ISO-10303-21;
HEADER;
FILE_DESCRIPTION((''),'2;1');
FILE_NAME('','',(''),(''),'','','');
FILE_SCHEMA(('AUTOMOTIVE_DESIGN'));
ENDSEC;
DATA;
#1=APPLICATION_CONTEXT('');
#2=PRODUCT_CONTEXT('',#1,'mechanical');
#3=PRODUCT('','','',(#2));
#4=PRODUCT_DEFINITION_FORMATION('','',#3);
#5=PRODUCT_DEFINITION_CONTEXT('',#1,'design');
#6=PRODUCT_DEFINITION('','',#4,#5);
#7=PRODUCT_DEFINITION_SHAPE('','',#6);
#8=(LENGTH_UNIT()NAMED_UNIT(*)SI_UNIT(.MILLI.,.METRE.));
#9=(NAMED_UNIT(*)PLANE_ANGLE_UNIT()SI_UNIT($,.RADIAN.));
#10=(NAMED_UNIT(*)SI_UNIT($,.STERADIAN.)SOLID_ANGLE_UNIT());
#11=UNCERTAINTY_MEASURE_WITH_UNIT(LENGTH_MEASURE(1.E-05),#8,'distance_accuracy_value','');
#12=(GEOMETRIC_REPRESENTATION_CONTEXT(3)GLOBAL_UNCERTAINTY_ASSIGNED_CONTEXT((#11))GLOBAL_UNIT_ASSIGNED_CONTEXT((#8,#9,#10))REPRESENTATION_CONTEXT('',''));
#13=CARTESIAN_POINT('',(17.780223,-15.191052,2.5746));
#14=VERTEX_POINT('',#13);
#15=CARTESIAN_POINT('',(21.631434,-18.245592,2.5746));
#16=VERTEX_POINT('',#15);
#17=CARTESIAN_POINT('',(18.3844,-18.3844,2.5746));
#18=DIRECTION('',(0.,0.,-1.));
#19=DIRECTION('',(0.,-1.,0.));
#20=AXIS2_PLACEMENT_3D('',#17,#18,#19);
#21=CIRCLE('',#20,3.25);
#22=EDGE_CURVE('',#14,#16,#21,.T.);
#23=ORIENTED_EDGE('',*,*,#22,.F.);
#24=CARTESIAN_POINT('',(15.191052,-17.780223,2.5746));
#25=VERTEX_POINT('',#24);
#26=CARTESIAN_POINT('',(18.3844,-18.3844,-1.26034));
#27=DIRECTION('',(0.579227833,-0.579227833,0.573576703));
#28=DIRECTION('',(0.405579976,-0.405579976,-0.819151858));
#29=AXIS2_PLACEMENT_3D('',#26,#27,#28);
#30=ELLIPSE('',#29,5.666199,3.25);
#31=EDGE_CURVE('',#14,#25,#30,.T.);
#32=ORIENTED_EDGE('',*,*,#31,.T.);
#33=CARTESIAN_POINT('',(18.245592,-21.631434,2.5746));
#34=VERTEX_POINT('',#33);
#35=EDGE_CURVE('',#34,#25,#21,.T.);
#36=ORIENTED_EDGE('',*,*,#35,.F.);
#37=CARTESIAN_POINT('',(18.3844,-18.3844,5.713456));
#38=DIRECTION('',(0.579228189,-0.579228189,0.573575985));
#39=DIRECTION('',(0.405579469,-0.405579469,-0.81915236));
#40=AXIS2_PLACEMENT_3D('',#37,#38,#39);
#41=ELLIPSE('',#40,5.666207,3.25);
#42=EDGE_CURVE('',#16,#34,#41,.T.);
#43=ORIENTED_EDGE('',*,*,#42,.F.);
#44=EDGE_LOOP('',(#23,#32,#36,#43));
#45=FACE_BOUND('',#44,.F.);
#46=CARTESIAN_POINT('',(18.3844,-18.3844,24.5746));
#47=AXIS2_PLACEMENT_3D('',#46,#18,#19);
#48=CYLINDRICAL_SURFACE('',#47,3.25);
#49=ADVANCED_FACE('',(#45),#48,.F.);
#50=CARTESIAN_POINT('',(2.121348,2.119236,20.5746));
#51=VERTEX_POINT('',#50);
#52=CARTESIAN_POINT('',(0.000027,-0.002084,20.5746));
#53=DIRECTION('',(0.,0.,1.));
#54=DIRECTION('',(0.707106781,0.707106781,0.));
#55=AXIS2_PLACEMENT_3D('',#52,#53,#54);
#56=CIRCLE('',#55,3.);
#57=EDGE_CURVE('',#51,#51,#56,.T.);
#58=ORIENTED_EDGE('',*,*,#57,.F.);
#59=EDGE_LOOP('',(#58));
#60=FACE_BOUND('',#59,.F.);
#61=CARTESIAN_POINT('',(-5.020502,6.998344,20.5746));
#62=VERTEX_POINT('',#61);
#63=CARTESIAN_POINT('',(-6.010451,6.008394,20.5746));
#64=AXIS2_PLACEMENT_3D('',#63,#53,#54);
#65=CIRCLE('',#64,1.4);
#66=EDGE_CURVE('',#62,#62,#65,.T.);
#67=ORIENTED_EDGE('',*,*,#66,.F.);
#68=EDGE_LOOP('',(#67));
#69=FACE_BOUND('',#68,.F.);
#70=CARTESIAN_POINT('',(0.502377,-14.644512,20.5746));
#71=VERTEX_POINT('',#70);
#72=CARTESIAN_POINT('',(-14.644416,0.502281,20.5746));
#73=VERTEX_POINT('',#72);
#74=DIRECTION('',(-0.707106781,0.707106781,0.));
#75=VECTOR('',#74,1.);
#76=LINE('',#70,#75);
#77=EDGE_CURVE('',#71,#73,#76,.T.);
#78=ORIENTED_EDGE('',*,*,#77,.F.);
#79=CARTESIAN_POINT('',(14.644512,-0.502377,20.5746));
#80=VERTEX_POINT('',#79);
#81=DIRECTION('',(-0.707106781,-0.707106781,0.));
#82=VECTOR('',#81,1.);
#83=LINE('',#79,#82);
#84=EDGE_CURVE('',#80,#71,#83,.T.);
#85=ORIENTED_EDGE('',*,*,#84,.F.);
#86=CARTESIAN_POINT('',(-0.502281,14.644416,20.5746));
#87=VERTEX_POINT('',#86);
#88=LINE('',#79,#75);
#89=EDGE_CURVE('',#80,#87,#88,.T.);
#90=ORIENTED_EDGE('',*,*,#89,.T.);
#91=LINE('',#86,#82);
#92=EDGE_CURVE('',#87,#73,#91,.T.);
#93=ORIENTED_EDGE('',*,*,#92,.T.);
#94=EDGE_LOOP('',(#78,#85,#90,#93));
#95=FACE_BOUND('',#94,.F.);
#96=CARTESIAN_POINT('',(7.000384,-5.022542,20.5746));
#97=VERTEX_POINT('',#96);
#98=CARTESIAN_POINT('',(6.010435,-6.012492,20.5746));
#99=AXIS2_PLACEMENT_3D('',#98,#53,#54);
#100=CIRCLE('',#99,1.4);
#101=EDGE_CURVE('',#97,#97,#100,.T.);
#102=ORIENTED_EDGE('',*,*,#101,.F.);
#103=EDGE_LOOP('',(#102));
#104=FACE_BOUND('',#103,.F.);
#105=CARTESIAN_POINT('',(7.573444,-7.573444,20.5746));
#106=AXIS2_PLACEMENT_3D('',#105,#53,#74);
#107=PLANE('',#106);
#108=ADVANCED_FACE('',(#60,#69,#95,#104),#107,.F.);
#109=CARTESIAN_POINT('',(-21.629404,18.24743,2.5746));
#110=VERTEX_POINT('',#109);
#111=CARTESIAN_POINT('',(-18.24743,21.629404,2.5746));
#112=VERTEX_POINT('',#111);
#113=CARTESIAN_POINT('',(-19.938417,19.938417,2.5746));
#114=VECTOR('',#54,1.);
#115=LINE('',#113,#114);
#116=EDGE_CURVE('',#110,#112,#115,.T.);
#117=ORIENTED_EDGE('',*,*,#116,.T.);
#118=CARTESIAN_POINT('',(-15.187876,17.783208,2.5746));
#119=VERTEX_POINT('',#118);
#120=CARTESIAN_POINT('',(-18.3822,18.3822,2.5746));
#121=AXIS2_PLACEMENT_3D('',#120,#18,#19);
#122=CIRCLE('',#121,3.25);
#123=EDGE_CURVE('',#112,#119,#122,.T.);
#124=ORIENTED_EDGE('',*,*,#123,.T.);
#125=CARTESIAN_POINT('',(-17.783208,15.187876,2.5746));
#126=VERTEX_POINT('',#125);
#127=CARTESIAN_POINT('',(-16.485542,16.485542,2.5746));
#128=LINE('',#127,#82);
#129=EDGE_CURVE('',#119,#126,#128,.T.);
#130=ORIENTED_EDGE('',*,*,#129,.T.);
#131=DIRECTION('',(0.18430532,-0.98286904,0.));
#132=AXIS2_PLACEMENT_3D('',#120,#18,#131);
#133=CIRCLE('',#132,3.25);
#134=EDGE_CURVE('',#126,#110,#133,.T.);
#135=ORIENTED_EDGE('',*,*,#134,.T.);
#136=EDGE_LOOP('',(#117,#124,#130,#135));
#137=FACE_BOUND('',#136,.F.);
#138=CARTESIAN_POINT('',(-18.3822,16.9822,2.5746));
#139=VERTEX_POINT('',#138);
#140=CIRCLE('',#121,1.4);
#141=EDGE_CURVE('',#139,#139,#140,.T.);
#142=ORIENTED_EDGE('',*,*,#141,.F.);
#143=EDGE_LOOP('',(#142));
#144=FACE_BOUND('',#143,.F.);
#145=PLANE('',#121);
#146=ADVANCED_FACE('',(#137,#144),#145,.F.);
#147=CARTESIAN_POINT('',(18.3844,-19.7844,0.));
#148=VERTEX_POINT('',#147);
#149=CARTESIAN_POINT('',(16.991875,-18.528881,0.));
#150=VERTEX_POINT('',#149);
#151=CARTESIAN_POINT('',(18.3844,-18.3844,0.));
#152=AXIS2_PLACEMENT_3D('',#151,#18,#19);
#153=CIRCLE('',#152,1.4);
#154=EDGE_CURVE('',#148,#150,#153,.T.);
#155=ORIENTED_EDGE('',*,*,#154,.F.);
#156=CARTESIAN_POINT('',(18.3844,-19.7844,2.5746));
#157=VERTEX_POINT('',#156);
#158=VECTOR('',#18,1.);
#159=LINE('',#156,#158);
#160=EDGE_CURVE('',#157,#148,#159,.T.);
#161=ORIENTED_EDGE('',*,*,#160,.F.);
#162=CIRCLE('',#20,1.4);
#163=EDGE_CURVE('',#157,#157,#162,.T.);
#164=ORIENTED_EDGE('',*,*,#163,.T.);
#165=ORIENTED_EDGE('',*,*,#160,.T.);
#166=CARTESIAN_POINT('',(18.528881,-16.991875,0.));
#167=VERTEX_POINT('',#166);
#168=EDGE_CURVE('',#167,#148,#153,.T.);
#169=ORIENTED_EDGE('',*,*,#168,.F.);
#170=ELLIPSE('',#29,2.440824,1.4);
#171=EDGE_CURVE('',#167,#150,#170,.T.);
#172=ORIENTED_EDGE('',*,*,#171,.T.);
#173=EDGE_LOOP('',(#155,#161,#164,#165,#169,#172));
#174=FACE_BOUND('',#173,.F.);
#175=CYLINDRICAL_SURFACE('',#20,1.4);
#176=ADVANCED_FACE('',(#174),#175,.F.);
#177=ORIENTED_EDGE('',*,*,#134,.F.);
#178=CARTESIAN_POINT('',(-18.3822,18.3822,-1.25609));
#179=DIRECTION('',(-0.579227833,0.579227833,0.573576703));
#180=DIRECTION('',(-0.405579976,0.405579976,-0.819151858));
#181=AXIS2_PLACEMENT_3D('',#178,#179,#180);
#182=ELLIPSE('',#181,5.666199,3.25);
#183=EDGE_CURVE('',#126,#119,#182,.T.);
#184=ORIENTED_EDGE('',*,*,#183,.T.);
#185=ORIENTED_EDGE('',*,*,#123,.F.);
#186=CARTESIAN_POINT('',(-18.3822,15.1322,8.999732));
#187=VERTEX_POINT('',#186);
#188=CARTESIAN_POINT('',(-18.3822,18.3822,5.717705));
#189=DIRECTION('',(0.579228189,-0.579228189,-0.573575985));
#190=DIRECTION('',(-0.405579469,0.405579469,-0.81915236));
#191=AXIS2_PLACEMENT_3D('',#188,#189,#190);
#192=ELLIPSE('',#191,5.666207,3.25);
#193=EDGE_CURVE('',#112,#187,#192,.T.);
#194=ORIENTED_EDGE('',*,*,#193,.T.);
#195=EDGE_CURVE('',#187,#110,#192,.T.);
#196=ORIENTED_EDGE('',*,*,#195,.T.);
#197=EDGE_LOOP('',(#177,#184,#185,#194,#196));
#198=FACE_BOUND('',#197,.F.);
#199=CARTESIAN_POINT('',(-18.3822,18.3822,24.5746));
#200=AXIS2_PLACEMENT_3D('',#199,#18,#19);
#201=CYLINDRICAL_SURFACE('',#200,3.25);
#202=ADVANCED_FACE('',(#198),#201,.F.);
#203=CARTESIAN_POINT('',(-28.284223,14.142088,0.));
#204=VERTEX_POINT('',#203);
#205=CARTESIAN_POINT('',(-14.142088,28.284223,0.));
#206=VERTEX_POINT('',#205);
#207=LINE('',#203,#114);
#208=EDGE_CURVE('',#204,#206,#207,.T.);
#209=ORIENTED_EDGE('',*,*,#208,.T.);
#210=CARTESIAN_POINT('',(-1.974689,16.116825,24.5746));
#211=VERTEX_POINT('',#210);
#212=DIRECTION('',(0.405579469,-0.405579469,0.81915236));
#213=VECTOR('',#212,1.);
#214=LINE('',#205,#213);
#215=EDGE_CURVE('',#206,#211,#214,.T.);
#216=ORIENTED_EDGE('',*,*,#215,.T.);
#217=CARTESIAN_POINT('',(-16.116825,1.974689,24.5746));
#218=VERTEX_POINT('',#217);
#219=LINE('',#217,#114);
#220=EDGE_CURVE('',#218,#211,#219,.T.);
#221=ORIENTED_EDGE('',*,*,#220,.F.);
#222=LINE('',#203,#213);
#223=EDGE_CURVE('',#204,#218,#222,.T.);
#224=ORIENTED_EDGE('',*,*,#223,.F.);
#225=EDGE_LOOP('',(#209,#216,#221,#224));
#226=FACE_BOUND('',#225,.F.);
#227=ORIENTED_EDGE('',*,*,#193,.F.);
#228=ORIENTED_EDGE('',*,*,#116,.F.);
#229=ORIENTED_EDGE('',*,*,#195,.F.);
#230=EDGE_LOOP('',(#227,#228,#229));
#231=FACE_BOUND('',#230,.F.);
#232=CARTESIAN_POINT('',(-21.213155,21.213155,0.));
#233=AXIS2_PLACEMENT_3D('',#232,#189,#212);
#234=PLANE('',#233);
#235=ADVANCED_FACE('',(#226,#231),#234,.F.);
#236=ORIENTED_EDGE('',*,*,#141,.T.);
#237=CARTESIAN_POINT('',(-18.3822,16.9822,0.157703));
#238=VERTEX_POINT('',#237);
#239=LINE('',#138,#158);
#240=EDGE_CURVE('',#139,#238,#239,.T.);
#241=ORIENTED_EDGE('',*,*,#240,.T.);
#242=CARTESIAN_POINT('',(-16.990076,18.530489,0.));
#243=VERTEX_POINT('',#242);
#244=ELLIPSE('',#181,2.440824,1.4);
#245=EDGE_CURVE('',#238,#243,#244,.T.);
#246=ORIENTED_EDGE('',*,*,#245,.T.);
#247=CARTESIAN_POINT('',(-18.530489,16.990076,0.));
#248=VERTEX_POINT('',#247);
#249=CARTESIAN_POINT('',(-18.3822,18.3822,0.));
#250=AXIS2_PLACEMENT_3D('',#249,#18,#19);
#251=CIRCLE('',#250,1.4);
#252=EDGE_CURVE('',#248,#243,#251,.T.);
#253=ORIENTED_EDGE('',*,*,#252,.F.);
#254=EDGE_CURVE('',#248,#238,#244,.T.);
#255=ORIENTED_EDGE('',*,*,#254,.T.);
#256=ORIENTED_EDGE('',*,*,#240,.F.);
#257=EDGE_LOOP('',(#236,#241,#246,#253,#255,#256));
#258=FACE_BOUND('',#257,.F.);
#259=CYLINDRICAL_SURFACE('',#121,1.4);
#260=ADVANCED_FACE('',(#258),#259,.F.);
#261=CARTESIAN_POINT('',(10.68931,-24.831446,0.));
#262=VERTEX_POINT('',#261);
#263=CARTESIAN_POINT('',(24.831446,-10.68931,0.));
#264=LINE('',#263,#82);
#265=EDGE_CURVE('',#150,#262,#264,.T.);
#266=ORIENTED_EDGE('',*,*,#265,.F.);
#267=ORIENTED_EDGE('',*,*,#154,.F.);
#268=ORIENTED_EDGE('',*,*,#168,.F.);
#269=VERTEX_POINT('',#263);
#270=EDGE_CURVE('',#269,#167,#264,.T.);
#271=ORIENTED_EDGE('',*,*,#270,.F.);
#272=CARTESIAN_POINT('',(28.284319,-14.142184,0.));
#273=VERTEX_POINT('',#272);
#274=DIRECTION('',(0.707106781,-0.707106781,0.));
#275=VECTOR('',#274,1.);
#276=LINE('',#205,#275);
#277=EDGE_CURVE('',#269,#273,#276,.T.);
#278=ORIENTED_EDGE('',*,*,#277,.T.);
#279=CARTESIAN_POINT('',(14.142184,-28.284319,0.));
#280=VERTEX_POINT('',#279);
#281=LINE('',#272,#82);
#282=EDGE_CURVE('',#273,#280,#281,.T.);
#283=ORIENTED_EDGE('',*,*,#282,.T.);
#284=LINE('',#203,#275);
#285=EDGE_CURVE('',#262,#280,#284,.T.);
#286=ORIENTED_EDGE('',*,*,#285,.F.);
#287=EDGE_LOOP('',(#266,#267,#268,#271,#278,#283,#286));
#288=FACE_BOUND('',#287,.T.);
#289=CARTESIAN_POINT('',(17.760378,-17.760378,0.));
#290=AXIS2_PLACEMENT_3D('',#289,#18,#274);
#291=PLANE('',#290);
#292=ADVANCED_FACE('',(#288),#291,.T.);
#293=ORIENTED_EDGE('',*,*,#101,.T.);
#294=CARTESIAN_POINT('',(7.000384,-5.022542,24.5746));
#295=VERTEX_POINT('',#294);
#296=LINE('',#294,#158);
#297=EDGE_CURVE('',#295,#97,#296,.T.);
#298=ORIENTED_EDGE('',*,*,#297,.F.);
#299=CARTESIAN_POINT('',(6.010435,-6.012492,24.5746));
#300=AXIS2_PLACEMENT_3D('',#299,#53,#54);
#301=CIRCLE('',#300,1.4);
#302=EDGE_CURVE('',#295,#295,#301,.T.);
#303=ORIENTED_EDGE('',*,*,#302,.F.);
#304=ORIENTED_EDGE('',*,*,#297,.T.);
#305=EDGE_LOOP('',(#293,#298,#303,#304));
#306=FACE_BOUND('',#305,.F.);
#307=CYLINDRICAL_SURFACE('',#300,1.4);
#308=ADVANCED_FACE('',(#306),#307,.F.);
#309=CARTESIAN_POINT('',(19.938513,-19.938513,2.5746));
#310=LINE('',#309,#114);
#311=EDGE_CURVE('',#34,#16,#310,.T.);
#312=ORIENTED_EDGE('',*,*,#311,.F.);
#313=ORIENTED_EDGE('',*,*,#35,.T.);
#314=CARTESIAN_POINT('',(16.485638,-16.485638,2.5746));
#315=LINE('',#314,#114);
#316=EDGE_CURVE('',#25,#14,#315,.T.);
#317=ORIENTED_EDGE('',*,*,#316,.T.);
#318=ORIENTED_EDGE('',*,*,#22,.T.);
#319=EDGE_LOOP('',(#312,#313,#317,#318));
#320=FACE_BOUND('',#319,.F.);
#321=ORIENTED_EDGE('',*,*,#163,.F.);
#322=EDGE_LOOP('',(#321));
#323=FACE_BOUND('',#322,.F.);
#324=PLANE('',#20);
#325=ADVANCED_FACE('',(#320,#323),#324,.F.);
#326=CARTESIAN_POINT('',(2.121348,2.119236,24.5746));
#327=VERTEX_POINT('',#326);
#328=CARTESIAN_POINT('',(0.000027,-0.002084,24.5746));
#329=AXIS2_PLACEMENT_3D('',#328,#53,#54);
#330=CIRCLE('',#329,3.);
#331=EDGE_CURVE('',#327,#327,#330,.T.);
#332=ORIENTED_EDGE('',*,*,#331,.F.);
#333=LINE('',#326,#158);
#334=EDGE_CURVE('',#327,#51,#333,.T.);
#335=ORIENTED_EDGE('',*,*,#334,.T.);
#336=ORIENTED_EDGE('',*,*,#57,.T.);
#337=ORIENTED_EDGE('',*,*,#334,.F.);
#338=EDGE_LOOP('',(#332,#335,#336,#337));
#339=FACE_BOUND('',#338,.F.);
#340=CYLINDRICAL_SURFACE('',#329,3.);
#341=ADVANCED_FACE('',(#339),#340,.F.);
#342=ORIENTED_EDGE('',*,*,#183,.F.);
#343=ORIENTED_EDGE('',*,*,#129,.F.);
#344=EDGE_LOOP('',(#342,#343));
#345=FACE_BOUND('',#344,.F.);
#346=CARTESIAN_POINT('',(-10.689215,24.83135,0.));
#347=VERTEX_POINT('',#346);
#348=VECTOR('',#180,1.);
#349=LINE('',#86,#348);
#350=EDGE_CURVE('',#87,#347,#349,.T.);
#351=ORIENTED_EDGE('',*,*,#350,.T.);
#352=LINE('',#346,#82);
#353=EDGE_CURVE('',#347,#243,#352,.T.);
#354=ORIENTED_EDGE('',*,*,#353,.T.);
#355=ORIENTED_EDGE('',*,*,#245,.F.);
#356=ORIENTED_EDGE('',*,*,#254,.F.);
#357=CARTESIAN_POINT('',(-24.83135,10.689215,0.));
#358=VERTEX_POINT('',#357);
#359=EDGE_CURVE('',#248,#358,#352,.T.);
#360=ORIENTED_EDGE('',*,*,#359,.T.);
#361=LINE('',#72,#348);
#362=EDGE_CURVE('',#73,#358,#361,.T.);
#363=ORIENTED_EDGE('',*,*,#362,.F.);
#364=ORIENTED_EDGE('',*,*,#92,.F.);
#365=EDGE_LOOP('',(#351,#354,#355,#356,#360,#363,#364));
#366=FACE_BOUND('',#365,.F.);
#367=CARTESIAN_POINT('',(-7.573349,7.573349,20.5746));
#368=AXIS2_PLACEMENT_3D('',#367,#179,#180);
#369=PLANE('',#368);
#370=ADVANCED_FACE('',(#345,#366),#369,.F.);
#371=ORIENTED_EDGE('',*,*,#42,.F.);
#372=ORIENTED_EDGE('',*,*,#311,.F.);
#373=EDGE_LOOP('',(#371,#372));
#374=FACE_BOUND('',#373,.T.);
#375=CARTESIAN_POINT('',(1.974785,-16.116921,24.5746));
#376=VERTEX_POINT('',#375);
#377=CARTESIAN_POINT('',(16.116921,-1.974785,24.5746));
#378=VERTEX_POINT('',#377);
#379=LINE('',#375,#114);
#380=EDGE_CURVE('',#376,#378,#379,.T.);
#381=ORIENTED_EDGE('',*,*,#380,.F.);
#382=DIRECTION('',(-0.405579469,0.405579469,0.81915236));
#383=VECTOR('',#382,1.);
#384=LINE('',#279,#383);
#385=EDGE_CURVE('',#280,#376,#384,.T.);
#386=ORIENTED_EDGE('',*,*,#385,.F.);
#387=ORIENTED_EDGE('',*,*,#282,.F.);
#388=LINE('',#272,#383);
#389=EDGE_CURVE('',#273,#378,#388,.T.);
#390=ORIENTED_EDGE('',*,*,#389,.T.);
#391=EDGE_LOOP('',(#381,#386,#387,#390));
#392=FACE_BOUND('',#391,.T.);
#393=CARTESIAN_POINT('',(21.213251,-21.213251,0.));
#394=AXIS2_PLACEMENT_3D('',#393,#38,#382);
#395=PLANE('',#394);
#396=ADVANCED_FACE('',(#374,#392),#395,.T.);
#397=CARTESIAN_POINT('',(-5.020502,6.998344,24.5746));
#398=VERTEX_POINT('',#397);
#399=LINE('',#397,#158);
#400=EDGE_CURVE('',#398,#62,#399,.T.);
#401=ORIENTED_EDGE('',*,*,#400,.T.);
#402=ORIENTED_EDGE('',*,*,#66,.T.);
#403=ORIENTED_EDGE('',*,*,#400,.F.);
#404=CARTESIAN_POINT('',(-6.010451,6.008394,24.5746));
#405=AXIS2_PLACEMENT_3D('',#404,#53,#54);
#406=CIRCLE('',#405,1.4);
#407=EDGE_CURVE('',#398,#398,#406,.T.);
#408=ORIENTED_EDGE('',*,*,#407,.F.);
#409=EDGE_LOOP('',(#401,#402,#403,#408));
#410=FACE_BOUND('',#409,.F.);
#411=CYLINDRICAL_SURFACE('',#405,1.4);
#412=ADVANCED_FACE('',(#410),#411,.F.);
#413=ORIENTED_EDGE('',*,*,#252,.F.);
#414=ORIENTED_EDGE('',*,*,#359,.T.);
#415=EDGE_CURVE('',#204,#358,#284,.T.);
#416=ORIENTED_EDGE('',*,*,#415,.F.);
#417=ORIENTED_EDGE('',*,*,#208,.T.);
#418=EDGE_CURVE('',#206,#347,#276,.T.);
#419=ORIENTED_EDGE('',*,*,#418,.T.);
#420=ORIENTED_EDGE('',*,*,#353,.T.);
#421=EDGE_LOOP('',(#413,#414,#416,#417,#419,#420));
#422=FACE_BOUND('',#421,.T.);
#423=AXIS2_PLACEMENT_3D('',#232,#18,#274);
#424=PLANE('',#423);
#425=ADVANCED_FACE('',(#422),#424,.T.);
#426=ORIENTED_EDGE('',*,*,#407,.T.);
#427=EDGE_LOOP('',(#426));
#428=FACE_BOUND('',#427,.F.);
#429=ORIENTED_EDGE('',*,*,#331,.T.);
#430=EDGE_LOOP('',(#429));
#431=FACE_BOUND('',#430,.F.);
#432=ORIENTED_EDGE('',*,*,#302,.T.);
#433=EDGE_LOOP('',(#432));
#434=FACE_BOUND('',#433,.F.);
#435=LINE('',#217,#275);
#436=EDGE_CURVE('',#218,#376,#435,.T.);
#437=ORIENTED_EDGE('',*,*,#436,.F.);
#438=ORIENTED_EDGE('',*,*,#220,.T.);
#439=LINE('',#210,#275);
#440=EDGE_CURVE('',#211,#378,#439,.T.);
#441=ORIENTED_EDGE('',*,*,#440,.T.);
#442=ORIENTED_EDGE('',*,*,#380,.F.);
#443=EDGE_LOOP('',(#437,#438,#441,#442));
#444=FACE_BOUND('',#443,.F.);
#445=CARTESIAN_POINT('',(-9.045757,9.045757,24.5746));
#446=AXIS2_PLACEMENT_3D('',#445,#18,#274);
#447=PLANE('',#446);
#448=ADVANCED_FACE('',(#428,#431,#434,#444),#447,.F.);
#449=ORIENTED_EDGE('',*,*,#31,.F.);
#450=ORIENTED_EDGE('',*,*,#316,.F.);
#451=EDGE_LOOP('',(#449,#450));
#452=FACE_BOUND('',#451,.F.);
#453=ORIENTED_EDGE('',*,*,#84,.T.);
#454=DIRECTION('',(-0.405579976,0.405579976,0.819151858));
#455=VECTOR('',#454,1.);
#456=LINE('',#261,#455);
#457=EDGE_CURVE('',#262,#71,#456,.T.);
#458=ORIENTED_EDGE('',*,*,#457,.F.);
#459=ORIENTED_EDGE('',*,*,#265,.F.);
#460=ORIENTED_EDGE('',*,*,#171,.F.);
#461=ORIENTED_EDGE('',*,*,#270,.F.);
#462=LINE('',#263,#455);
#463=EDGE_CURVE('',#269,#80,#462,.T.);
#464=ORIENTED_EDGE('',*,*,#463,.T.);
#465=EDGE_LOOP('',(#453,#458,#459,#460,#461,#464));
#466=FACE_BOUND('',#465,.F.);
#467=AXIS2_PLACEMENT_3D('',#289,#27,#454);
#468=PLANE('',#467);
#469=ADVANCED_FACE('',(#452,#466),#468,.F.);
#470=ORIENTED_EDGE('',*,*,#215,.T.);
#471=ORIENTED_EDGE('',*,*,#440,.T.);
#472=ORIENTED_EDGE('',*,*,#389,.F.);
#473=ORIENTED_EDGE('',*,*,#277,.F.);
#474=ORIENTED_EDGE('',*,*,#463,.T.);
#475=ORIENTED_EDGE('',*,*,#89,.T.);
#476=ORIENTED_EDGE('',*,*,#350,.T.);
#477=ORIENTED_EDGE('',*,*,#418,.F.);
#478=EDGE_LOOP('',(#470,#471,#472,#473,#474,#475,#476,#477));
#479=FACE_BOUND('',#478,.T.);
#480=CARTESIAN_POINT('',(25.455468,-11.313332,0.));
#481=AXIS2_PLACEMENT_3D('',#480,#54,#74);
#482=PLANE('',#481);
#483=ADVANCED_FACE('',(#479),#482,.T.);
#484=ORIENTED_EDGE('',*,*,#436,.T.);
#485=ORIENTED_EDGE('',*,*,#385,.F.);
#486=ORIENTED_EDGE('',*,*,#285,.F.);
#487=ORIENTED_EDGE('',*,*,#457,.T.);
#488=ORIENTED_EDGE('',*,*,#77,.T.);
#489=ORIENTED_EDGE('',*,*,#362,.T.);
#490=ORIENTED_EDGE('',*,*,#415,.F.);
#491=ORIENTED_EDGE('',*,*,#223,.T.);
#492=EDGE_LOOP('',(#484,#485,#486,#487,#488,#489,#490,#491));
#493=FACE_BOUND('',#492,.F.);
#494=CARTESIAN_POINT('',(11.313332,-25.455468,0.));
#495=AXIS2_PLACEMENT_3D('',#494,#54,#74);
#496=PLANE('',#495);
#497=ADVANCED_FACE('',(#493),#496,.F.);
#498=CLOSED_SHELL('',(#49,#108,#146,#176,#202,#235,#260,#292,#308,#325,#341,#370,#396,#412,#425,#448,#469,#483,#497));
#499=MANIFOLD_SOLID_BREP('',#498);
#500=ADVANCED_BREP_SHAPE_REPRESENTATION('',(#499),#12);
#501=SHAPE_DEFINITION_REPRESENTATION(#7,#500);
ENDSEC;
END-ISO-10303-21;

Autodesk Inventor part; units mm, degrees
ref_plane "YZ Plane" through (0, 0, 0) normal (1, 0, 0) x (0, 1, 0)
ref_plane "XZ Plane" through (0, 0, 0) normal (0, 1, 0) x (-1, 0, 0)
ref_plane "XY Plane" through (0, 0, 0) normal (0, 0, 1) x (1, 0, 0)
ref_plane "Work Plane1" through (0, 0, 0) normal (0, 0, 1) x (1, 0, 0)
sketch "Sketch1" plane through (0, 0, 0) normal (0, 0, 1) x (1, 0, 0)
  circle A0 centre (18.3844, -18.3844) radius 1.4 projected
  circle A1 centre (-18.3822, 18.3822) radius 1.4 projected
  arc A2 (9.6814, 2.5019) -> (1.0662, 9.9409) centre (9.4999, 11) ccw projected
  arc A3 (1.0662, 9.9409) -> (9.6814, 2.5019) centre (0, -0.0021) ccw projected
  circle A4 centre (0, 0) radius 30 projected
ref_plane "Work Plane3" through (18.3844, -18.3844, 0) normal (0.7071, 0.7071, 0) x (-0.7071, 0.7071, 0)
ref_plane "Work Plane2" through (0, 0, 0) normal (0, 0, 1) x (1, 0, 0)
sketch "Sketch2" plane through (18.3844, -18.3844, 0) normal (0.7071, 0.7071, 0) x (-0.7071, 0.7071, 0)
  line L0 (55.9994, 0) -> (-4.0006, 0) projected
  line L1 (-4.0006, 0) -> (13.2067, 24.5746)
  line L2 (-4.0006, 0) -> (25.9994, 0) construction
  line L3 (22.8954, 10) -> (30.4529, 10) projected
  line L4 (-36.9123, 0) -> (106.4847, 0) projected
  line L5 (55.9994, 0) -> (38.7921, 24.5746)
  line L6 (55.9994, 0) -> (85.9994, 0) construction
  line L7 (38.7921, 24.5746) -> (13.2067, 24.5746)
  line L8 (0.8825, 0) -> (15.289, 20.5746)
  line L9 (15.289, 20.5746) -> (36.7098, 20.5746)
  line L10 (36.7098, 20.5746) -> (51.1163, 0)
  line L11 (55.9994, 0) -> (51.1163, 0)
  line L12 (0.8825, 0) -> (-4.0006, 0)
  point P0 (25.9994, 0)
  point P1 (0.8825, 0)
  point P2 (51.1163, 0)
  dimension "d1" = 30
  dimension "d2" = 55
  dimension "d3" = 125
  dimension "d5" = 4
  dimension "d6" = 4
  dimension "d7" = 4
extrude "Extrusion1" add sketch "Sketch2" along normal mid plane 20 contours L0 L10 L9 L8 L1 L7 L5
sketch "Sketch3" plane through (16.1169, -1.9747, 24.5746) normal (0, 0, 1) x (0.7071, 0.7071, 0)
  circle A0 centre (-10, 38.7891) radius 1.4 projected
  circle A1 centre (-10, -13.2067) radius 1.4 projected
  point P0 (-10, 12.7927)
hole "Hole1" at (-18.3822, 18.3822, 24.5746) at (18.3844, -18.3844, 24.5746) direction (0, 0, -1) diameter 2.8 end through all counterbore diameter 6.5 counterbore depth 22
sketch "Sketch4" plane through (16.1169, -1.9747, 24.5746) normal (0, 0, 1) x (0.7071, 0.7071, 0)
  circle A0 centre (-10.0015, 21.2913) radius 1.9 projected
  line L0 (0, 0) -> (-20, 0) projected
  line L1 (0, 25.5854) -> (0, 0) projected
  line L2 (-20, 25.5854) -> (0, 25.5854) projected
  line L3 (-20, 0) -> (-20, 25.5854) projected
  circle A1 centre (-10.0015, 4.2912) radius 1.9 projected
  circle A2 centre (-10.0015, 12.7912) radius 3 projected
  circle A3 centre (-10.0015, 21.2913) radius 1.4
  circle A4 centre (-10.0015, 4.2912) radius 1.9
  circle A5 centre (-10.0015, 4.2912) radius 1.4
  point P0 (-10, 12.7927)
  dimension "d17" = 2.8
  dimension "d18" = 2.8
extrude "Extrusion2" cut sketch "Sketch4" against normal blind 20 contours A2 | A3 | A5
properties part number "Anglerfish_Lightplate_Tislinkbridge"
